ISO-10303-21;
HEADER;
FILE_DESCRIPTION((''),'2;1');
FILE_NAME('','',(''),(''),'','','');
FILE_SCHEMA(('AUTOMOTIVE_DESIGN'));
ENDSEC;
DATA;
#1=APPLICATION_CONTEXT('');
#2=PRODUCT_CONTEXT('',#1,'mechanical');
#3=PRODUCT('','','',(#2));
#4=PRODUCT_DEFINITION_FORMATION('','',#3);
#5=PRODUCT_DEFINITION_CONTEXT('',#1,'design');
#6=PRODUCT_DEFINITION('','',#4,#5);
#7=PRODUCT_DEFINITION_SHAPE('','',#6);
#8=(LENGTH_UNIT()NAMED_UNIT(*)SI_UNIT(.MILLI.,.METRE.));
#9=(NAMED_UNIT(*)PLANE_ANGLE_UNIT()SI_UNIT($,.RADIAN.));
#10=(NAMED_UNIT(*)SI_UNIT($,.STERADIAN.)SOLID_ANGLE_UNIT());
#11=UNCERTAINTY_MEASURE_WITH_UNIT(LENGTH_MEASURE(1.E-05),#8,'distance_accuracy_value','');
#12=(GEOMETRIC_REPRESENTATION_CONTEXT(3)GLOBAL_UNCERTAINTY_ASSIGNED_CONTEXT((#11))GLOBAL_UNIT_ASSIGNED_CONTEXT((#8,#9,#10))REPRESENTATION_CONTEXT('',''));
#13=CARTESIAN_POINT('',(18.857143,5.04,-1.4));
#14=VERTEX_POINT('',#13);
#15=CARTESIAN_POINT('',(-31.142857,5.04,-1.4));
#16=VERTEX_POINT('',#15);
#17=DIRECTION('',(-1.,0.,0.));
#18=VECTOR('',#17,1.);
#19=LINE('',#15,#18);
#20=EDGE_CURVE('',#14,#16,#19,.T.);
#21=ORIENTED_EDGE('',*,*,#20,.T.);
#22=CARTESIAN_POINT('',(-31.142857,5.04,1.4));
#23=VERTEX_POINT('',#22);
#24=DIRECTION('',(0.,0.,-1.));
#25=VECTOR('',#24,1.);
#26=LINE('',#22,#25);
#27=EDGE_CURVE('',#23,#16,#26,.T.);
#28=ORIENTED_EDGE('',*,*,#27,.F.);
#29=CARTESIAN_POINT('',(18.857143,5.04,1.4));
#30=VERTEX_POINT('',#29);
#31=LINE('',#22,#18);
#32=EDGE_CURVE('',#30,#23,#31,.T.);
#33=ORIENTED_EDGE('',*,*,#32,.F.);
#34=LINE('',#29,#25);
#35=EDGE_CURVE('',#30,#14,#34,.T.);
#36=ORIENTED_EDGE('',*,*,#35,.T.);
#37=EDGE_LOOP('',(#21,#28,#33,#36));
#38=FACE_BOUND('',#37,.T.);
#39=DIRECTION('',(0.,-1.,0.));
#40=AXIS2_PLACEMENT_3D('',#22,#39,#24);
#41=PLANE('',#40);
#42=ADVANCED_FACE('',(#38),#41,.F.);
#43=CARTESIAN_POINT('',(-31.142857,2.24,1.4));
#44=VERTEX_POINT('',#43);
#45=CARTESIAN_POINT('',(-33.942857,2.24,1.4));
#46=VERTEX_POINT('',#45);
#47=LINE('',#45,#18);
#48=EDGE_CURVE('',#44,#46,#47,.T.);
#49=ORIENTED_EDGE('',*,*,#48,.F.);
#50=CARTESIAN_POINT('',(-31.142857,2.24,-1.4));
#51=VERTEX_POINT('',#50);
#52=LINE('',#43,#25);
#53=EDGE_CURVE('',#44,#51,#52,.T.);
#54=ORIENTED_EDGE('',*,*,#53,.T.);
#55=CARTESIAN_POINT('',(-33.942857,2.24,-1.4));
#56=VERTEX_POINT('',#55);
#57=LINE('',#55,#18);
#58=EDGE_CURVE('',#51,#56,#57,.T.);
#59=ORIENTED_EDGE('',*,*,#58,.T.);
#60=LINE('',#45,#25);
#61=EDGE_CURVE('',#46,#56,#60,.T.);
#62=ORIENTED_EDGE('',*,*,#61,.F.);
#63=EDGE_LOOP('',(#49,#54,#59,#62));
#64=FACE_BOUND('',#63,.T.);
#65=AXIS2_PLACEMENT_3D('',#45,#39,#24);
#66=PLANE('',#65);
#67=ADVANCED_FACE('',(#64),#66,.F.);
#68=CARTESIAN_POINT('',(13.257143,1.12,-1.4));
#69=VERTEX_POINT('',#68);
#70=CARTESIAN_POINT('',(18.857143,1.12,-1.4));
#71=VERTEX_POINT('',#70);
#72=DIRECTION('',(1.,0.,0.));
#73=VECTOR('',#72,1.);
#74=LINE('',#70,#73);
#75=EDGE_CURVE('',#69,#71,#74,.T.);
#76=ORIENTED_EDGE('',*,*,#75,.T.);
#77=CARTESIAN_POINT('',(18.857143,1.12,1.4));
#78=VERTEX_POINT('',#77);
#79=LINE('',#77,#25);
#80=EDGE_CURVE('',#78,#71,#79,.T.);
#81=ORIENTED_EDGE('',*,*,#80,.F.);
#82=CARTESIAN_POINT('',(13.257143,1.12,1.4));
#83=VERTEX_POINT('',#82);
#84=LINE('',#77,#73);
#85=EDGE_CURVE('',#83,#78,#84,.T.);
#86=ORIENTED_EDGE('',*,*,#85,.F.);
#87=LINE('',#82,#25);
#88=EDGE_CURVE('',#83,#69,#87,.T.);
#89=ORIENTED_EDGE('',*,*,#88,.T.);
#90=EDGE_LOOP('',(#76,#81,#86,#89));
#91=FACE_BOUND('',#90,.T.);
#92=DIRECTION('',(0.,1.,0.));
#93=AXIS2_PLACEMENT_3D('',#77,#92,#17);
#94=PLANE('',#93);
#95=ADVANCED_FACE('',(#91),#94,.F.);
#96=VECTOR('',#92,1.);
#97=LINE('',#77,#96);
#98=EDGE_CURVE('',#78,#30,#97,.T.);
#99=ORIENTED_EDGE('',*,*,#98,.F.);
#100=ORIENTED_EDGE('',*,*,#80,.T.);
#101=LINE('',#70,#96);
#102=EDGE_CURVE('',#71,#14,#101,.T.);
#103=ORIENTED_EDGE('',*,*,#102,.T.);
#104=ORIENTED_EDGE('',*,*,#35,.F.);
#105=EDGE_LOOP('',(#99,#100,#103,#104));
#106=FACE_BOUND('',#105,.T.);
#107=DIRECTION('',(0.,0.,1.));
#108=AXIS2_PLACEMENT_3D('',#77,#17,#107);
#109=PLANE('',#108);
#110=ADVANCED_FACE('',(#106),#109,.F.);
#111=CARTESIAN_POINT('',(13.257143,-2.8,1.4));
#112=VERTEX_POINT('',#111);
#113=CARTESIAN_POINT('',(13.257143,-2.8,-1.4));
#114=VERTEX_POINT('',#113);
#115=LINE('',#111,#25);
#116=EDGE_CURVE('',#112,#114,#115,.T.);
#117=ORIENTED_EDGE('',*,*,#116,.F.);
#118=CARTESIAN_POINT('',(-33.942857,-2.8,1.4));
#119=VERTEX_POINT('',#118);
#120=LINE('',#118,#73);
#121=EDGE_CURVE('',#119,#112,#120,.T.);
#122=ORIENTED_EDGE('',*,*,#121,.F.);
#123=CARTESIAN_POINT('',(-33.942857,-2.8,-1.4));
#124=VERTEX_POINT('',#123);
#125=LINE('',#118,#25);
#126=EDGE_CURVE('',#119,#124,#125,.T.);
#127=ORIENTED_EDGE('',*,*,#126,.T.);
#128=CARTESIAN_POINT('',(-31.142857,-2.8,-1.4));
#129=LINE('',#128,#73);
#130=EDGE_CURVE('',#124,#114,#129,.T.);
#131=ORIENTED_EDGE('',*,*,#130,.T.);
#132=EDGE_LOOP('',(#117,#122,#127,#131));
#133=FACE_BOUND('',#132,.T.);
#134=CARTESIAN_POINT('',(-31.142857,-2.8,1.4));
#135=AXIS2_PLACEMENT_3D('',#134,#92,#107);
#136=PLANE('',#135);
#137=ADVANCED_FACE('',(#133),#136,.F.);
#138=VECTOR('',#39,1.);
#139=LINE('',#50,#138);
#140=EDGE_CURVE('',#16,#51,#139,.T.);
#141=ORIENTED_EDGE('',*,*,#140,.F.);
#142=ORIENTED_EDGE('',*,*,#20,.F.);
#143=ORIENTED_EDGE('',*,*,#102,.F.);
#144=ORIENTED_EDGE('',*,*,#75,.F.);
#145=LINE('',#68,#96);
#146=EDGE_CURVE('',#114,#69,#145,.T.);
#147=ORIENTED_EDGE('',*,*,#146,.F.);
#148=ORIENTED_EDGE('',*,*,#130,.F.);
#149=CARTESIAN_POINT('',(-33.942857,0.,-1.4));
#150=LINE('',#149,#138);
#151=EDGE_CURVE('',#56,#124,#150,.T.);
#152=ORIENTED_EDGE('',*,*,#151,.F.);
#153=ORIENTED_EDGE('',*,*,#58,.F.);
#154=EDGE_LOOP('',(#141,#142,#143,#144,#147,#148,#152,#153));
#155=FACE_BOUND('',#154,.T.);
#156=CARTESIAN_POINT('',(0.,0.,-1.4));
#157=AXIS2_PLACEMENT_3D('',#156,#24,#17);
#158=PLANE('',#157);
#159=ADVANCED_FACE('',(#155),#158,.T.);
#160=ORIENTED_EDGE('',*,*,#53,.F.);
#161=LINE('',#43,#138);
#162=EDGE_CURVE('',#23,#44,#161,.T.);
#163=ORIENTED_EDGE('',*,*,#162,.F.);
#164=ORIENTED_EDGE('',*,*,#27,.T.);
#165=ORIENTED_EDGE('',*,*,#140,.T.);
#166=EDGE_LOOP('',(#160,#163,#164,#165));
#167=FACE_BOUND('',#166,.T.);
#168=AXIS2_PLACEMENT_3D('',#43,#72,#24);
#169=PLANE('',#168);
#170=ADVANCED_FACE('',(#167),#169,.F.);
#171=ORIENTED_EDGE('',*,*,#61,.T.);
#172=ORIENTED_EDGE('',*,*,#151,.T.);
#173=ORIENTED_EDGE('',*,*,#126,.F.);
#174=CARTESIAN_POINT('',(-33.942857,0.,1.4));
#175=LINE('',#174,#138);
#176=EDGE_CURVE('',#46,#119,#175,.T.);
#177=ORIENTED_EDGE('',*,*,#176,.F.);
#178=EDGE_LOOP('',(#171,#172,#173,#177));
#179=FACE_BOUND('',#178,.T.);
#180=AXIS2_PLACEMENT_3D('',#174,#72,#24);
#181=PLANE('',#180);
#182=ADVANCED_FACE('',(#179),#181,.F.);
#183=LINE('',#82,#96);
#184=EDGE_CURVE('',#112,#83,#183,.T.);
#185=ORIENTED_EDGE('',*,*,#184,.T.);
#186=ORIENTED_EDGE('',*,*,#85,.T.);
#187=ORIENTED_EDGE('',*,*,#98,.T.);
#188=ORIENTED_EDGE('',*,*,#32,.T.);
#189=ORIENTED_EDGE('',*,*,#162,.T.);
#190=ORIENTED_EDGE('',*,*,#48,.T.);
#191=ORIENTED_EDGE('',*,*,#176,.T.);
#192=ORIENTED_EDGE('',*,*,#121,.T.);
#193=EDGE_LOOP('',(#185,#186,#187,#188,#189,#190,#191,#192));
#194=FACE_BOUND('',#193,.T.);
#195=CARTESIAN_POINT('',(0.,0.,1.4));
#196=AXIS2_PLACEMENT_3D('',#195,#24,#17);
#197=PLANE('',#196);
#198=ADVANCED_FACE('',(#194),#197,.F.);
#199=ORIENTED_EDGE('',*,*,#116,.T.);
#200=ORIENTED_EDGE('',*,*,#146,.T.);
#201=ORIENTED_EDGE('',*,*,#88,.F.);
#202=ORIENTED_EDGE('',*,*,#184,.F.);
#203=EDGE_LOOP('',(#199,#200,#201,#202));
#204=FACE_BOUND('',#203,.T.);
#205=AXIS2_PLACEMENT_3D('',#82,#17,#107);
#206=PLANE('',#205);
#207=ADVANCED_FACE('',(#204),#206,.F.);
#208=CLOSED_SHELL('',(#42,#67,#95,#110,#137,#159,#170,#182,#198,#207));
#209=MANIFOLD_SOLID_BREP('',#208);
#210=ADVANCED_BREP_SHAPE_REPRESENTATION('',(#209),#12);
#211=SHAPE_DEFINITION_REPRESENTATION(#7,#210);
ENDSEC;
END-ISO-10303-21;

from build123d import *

# Parameters (mm, degrees)
EXTRUDE_1_DEPTH = 1.4


with BuildPart() as part:
    # Эскиз1 → Бобышка-Вытянуть1 (new, symmetric)
    with BuildSketch(Plane.XY):
        Polygon((-31.142857143, -2.8), (13.257142857, -2.8), (13.257142857, 1.12), (18.857142857, 1.12), (18.857142857, 5.04), (-31.142857143, 5.04), (-31.142857143, 2.24), (-33.942857143, 2.24), (-33.942857143, 0), (-33.942857143, -2.8), align=None)
    extrude(amount=EXTRUDE_1_DEPTH, both=True)


solid = part.part
